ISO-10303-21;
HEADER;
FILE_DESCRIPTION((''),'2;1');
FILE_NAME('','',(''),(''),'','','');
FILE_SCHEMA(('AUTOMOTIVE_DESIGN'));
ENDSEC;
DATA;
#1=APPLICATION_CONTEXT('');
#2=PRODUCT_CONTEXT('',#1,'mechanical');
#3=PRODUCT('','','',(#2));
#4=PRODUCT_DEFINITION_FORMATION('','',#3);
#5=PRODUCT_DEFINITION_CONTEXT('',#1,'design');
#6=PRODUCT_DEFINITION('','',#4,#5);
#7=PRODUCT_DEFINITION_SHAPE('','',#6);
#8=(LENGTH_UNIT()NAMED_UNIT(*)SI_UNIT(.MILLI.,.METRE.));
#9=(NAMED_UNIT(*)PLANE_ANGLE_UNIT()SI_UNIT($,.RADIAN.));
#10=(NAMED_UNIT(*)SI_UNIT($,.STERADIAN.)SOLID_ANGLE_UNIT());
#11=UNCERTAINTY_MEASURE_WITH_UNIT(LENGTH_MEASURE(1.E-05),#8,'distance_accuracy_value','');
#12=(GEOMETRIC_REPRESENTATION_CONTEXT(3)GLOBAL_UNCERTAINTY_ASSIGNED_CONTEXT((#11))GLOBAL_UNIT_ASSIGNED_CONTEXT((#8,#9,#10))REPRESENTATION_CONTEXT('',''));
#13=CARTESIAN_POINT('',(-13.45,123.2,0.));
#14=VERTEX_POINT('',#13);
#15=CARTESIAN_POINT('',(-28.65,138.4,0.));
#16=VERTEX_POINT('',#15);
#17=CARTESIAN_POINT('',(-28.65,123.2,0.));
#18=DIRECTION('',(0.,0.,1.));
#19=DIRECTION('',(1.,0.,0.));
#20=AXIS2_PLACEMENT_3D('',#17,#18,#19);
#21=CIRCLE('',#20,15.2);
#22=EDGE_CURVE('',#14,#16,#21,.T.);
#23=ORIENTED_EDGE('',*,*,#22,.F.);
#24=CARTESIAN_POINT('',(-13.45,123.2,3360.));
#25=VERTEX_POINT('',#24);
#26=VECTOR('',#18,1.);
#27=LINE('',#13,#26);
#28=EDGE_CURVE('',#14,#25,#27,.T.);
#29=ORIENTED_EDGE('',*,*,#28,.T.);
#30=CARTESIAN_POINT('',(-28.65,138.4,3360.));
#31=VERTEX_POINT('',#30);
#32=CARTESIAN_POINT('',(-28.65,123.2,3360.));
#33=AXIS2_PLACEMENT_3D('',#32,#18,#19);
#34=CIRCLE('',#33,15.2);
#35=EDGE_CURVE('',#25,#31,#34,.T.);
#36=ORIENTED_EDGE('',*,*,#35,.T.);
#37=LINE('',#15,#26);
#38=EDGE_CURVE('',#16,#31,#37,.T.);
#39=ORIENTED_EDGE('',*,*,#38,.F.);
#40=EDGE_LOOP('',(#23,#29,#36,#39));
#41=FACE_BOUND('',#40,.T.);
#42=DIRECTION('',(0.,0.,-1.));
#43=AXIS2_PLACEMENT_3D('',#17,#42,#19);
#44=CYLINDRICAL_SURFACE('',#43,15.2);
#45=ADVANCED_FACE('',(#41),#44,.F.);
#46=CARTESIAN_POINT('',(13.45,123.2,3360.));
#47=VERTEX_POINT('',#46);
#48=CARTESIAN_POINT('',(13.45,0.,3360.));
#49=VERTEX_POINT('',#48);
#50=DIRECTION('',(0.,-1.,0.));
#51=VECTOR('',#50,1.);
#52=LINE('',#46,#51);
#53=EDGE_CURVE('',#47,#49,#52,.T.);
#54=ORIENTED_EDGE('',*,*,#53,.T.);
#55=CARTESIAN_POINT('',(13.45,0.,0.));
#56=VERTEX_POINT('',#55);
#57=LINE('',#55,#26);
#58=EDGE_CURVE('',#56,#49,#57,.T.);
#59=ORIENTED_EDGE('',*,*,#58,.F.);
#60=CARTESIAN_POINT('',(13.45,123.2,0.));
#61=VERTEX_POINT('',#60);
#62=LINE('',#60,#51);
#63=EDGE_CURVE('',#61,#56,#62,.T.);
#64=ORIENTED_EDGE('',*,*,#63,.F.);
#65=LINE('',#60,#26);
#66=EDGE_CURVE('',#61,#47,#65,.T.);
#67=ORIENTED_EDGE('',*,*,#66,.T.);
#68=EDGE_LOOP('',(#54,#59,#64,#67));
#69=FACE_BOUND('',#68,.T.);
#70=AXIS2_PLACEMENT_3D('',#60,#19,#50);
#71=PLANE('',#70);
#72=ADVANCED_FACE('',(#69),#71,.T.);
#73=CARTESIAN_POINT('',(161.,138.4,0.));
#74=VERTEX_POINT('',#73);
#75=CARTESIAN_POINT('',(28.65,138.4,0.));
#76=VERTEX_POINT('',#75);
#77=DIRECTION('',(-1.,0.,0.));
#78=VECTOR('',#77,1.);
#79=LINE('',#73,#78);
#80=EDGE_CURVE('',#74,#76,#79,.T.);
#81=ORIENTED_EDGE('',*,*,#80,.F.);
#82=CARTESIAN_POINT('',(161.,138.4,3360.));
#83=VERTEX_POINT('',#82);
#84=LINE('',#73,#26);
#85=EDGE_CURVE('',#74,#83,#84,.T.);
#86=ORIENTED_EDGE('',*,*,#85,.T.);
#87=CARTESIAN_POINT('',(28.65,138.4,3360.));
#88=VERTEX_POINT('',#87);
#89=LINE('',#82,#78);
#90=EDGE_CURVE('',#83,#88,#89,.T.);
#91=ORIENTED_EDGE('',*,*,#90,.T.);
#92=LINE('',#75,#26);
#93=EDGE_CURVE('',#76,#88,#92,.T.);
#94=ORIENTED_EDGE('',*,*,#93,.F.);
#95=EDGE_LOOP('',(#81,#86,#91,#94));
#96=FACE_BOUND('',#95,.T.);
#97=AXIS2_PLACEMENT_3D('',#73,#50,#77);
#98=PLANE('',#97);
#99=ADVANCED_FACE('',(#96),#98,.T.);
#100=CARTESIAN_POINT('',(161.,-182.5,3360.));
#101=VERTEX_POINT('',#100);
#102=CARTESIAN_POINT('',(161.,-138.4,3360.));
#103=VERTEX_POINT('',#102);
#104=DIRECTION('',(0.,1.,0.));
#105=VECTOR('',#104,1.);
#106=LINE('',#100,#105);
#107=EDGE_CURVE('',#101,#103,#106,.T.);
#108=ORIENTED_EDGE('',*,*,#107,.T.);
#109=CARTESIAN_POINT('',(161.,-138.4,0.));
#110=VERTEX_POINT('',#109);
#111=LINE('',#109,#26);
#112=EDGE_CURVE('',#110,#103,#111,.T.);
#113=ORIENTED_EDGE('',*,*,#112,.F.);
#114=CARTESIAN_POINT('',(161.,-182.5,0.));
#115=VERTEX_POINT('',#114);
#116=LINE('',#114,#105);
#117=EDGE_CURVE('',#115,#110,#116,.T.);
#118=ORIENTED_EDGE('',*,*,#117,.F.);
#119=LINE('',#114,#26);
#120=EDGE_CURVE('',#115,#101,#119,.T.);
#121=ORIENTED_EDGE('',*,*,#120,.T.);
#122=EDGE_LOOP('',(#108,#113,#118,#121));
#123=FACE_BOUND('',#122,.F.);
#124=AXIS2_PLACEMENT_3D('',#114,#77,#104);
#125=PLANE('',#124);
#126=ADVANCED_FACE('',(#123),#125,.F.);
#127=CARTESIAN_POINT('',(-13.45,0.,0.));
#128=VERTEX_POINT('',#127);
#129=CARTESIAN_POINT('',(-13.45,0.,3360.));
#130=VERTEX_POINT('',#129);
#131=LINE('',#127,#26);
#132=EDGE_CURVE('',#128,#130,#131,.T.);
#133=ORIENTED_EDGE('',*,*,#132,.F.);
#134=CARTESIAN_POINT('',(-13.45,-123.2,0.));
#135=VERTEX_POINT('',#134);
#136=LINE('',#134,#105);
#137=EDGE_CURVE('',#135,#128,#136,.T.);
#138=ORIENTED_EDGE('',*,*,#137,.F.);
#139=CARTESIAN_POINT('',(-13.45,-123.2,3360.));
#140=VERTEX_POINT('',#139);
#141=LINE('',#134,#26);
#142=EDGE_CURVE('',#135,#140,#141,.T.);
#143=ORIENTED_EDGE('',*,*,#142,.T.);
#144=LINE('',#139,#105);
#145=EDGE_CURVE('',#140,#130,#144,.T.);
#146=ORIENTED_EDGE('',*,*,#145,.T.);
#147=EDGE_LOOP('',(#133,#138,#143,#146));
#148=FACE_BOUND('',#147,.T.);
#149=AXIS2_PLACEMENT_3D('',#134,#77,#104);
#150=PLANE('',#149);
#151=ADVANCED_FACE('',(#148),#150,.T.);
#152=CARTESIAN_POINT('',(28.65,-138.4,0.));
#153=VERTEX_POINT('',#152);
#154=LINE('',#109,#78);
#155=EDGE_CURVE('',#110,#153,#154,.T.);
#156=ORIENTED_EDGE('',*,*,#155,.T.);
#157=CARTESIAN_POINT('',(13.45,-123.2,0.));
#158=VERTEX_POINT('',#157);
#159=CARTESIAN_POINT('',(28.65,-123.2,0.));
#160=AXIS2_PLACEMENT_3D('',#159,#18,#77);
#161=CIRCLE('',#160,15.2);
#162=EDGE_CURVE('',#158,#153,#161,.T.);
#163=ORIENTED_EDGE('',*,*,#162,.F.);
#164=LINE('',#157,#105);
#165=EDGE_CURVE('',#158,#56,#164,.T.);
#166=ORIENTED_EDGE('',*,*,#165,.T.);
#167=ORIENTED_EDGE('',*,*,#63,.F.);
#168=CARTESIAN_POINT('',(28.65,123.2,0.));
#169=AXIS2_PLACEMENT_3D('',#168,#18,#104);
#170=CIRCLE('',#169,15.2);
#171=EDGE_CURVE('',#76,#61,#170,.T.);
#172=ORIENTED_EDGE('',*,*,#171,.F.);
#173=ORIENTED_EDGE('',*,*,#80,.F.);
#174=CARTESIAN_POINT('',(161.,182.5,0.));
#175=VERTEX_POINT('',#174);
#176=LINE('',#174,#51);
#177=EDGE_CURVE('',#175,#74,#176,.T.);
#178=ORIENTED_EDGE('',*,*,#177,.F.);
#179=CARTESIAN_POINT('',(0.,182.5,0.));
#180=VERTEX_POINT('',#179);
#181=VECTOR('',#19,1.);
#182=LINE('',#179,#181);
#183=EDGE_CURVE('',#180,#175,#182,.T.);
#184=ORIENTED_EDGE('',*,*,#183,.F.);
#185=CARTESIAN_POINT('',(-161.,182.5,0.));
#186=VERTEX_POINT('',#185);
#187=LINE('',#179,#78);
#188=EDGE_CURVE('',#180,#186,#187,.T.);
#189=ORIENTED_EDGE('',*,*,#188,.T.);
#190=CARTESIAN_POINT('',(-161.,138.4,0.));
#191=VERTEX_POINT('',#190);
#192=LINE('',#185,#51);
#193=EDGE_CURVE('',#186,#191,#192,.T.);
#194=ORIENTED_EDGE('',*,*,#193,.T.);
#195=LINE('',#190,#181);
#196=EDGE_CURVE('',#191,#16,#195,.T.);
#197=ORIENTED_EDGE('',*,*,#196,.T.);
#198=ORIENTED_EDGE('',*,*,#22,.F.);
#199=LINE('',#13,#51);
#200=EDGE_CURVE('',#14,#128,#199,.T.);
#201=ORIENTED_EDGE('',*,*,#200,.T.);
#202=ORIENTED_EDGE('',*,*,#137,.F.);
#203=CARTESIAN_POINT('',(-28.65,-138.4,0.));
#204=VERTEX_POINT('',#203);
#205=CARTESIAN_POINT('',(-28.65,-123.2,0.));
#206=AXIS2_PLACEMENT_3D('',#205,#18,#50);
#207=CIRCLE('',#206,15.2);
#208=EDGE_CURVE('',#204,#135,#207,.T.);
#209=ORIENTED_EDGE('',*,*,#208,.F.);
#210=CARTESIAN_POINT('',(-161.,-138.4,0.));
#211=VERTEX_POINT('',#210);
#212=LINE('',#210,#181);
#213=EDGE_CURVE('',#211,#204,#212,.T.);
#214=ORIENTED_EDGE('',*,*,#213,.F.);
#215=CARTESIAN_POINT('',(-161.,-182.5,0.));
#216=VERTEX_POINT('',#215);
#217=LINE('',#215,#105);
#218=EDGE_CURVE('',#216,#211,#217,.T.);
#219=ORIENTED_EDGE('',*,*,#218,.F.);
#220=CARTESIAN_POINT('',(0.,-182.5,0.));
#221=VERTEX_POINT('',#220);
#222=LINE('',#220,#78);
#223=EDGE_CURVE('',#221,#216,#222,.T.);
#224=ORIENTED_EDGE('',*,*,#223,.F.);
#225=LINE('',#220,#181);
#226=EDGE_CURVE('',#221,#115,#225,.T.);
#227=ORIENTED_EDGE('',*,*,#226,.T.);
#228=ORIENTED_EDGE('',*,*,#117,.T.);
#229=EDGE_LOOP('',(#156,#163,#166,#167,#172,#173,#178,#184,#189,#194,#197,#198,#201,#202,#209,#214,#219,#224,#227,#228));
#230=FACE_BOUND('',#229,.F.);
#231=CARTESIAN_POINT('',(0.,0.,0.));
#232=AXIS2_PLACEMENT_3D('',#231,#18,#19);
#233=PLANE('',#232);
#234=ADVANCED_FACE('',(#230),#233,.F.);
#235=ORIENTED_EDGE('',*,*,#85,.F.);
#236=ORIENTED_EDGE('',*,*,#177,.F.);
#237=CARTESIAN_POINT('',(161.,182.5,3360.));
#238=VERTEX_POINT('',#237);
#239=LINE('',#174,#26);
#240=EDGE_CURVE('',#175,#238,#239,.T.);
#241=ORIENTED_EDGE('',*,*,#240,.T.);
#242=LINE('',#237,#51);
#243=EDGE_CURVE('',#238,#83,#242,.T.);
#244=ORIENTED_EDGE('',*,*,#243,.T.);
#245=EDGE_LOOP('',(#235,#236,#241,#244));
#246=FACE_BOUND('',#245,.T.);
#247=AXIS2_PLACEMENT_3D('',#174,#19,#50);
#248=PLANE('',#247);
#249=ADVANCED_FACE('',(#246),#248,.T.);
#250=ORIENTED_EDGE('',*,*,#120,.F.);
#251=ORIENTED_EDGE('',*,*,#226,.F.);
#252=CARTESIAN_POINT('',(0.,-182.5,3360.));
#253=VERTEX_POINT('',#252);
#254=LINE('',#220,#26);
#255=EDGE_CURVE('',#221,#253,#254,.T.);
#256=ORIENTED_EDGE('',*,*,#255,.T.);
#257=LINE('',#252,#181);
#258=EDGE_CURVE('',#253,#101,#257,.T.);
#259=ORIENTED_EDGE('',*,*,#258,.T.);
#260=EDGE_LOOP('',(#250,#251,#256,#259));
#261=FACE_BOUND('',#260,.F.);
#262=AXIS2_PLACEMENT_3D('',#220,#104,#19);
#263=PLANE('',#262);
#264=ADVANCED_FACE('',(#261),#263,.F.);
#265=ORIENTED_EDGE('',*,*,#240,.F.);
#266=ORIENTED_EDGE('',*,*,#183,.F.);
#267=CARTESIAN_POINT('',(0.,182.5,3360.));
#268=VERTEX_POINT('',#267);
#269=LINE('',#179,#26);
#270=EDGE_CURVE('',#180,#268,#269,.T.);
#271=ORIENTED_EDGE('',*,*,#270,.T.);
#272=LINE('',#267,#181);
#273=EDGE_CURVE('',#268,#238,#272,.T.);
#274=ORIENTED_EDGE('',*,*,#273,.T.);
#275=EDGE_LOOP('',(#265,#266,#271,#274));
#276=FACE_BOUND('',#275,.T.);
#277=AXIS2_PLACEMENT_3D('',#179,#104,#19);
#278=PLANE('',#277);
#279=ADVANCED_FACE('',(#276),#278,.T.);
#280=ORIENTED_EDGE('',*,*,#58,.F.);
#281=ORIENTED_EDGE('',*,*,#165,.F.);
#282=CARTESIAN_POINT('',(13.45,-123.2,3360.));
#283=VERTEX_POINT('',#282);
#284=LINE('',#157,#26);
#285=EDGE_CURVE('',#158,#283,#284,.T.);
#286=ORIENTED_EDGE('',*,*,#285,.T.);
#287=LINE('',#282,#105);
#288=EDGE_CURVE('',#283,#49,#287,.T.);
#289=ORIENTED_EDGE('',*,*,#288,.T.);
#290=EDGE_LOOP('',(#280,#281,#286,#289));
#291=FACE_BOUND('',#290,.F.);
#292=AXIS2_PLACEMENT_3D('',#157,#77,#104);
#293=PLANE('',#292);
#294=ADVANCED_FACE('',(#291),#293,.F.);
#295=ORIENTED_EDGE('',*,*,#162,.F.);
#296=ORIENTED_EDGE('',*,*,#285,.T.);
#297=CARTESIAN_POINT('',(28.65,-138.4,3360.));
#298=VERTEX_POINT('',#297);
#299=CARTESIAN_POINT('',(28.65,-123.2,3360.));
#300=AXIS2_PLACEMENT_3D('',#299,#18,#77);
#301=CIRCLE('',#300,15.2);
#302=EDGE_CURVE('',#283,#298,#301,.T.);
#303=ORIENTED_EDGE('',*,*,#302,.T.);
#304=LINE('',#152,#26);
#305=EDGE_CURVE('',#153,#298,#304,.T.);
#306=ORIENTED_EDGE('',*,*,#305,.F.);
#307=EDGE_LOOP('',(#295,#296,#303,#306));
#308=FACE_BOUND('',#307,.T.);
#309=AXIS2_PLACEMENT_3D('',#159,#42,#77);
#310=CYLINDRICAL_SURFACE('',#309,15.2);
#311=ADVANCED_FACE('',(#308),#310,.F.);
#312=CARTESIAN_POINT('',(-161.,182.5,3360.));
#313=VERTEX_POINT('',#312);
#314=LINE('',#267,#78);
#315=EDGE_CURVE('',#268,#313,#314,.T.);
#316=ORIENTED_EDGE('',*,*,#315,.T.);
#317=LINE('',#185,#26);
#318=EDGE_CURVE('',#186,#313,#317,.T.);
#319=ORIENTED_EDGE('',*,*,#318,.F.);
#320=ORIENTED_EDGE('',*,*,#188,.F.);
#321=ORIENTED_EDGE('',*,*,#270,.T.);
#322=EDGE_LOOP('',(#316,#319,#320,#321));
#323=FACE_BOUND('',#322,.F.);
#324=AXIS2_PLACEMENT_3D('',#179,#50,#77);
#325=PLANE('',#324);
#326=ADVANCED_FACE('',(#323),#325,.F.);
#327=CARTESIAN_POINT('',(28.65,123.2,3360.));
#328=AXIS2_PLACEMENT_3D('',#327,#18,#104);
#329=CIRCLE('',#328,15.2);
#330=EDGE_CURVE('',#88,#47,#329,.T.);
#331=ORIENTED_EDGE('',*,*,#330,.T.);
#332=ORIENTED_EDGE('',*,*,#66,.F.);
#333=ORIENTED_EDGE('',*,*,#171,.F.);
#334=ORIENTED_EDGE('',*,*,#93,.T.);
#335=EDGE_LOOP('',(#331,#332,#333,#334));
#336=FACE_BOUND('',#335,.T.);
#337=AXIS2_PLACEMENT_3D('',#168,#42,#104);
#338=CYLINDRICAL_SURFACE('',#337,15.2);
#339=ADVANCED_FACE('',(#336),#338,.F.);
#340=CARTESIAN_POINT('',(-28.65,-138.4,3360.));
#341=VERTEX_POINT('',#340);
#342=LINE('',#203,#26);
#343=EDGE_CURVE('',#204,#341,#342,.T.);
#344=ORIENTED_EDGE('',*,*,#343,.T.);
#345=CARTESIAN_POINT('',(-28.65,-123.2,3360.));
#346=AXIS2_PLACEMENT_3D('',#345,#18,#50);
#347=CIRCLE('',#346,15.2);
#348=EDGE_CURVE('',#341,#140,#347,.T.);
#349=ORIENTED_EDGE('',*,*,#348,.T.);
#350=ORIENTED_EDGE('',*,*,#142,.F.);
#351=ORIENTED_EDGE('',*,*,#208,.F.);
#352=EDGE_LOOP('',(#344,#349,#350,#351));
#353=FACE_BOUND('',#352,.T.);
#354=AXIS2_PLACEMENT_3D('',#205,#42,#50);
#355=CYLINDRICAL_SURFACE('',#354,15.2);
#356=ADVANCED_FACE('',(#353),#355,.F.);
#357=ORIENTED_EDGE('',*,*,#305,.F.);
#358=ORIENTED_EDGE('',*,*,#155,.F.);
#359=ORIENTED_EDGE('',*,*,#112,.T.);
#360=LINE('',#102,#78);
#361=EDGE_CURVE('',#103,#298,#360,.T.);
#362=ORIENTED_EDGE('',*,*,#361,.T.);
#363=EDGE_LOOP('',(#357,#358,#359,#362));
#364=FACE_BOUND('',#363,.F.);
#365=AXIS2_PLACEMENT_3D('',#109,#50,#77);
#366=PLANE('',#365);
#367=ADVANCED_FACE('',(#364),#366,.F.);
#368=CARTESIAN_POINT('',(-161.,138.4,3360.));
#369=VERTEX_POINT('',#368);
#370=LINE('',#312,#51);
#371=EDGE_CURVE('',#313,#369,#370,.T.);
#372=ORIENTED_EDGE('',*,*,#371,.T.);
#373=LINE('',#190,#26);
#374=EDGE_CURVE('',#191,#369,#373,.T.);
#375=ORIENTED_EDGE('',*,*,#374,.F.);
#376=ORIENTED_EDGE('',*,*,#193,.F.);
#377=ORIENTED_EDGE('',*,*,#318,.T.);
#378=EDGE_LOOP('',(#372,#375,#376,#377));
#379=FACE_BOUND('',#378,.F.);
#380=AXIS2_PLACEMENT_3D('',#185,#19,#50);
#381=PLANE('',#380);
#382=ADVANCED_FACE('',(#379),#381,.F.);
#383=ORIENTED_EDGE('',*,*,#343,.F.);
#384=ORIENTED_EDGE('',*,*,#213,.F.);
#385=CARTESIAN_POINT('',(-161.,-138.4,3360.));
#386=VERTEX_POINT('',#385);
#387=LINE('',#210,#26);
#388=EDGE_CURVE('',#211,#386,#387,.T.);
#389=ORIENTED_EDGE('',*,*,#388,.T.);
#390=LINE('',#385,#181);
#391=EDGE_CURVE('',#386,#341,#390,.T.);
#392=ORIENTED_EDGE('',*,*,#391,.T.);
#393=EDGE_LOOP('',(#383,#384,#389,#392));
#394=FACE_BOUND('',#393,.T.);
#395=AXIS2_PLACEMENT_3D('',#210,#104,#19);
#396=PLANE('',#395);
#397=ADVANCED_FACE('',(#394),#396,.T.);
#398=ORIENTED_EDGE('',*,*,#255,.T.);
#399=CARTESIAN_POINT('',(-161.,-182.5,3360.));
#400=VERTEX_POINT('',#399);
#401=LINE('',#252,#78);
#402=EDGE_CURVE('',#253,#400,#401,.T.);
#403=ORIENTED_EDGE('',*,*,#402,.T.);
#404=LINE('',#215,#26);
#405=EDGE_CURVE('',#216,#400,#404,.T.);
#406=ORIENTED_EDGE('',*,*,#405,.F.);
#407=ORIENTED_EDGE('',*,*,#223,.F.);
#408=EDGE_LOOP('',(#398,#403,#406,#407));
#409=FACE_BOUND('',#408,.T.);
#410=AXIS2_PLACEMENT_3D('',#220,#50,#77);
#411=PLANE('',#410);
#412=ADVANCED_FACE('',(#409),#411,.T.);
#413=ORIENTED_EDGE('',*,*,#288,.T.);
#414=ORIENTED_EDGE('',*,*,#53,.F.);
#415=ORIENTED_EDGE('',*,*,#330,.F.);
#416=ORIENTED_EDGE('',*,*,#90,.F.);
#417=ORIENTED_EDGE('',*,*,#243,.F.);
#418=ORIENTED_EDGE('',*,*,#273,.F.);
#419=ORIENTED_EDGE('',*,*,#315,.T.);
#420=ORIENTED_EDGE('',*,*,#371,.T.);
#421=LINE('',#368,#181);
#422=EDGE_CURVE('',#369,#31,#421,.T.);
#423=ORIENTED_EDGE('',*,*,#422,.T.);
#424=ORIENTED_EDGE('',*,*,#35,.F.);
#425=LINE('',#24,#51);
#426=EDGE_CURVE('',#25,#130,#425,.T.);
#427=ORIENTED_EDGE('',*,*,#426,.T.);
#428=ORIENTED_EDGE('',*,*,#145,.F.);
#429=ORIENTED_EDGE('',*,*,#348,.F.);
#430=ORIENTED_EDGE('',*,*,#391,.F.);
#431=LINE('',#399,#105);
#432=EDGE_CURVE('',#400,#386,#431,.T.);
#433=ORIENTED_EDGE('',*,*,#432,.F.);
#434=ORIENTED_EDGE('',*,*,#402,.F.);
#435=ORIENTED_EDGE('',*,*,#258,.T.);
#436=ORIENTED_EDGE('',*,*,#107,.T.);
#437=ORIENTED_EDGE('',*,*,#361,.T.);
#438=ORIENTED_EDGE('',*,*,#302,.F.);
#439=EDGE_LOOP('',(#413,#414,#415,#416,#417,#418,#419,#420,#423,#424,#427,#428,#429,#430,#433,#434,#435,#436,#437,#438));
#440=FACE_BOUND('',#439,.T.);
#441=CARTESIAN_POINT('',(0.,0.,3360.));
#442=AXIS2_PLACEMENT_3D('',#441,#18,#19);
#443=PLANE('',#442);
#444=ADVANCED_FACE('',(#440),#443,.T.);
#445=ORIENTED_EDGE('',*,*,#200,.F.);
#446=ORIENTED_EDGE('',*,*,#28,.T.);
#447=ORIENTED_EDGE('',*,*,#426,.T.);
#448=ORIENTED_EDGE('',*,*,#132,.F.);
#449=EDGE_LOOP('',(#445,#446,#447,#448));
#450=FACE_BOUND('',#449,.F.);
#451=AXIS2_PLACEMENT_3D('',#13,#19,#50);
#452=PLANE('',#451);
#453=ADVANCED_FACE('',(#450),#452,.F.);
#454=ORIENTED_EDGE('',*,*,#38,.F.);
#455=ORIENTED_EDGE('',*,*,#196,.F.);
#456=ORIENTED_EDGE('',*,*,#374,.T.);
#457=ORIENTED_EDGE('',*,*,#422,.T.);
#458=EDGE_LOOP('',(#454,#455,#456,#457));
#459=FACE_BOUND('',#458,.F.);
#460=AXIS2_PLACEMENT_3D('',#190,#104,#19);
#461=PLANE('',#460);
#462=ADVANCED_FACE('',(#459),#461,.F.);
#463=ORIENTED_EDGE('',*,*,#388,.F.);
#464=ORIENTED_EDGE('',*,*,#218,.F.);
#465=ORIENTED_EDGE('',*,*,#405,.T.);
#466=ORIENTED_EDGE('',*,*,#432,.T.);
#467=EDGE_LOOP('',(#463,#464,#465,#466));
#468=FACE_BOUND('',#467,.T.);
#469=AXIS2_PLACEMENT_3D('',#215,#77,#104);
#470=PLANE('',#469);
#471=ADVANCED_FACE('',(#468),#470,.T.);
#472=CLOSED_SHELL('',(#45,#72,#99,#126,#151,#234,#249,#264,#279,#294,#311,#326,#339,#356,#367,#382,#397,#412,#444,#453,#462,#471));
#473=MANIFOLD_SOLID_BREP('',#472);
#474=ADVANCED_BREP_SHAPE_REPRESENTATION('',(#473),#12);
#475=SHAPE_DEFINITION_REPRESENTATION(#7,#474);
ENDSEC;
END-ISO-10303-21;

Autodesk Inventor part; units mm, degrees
ref_plane "YZ Plane" through (0, 0, 0) normal (1, 0, 0) x (0, 1, 0)
ref_plane "Start plane" through (0, 0, 0) normal (0, 0, 1) x (1, 0, 0)
ref_plane "End plane" through (0, 0, 3360) normal (0, 0, 1) x (1, 0, 0)
sketch "Sketch" plane through (0, 0, 0) normal (0, 0, 1) x (1, 0, 0)
  line L0 (-161, -182.5) -> (-161, -138.4)
  line L1 (-161, -138.4) -> (-28.65, -138.4)
  line L2 (-13.45, -123.2) -> (-13.45, 0)
  line L3 (-13.45, 0) -> (0, 0) construction
  line L4 (0, 0) -> (0, -182.5) construction
  line L5 (0, -182.5) -> (-161, -182.5)
  line L6 (-60, 0) -> (80, 0) construction
  line L7 (0, -60) -> (0, 80) construction
  line L8 (161, -182.5) -> (161, -138.4)
  line L9 (161, -138.4) -> (28.65, -138.4)
  line L10 (13.45, -123.2) -> (13.45, 0)
  line L11 (13.45, 0) -> (0, 0) construction
  line L12 (0, -182.5) -> (161, -182.5)
  line L13 (-161, 182.5) -> (-161, 138.4)
  line L14 (-161, 138.4) -> (-28.65, 138.4)
  line L15 (-13.45, 123.2) -> (-13.45, 0)
  line L16 (0, 182.5) -> (-161, 182.5)
  line L17 (161, 182.5) -> (161, 138.4)
  line L18 (161, 138.4) -> (28.65, 138.4)
  line L19 (0, 182.5) -> (161, 182.5)
  line L20 (13.45, 123.2) -> (13.45, 0)
  arc A0 (-13.45, 123.2) -> (-28.65, 138.4) centre (-28.65, 123.2) ccw
  arc A1 (28.65, 138.4) -> (13.45, 123.2) centre (28.65, 123.2) ccw
  arc A2 (13.45, -123.2) -> (28.65, -138.4) centre (28.65, -123.2) ccw
  arc A3 (-28.65, -138.4) -> (-13.45, -123.2) centre (-28.65, -123.2) ccw
  line L21 (0, 108) -> (0, -88) construction
  line L22 (-88, 0) -> (108, 0) construction
  point P0 (-13.45, -138.4)
  point P1 (13.45, -138.4)
  point P2 (-13.45, 138.4)
  point P3 (13.45, 138.4)
  dimension "d1" = 182.5
  dimension "d2" = 44.1
  dimension "d3" = 161
  dimension "d4" = 13.45
  dimension "d10" = 15.2
extrude "Body" add sketch "Sketch" along normal up to surface (3360 mm away) from surface at 0
sketch "Sketch4" plane through (0, 0, 0) normal (0, 0, 1) x (1, 0, 0)
  line L0 (0, 0) -> (10, 0)
ref_plane "Work Plane3" through (0, 0, 0) normal (0, -1, 0) x (1, 0, 0)
sketch "Sketch5" plane through (0, 0, 0) normal (0, -1, 0) x (1, 0, 0)
  line L0 (-2, 0) -> (12, 0) projected
  line L1 (-2, 3360) -> (12, 3360) projected
  dimension "d14" = 3360
equation "\"d1\" = 0.5 * G_H"
equation "\"d2\" = G_T1"
equation "\"d3\" = 0.5 * G_W"
equation "\"d4\" = 0.5 * G_T"
equation "\"d10\" = G_IR"
equation "\"d5\" = G_L"
equation "\"G_W\" = 322"
equation "\"G_H\" = 365"
equation "\"G_T\" = 26.9"
equation "\"G_T1\" = 44.1"
equation "\"G_IR\" = 15.2"
equation "\"G_L\" = d14"
equation "\"G_OFFSET_START\" = 0"
equation "\"G_OFFSET_END\" = 0"
properties part number "AS 3679 - 310 UC - 283 - 3360" material "Steel, Mild"
